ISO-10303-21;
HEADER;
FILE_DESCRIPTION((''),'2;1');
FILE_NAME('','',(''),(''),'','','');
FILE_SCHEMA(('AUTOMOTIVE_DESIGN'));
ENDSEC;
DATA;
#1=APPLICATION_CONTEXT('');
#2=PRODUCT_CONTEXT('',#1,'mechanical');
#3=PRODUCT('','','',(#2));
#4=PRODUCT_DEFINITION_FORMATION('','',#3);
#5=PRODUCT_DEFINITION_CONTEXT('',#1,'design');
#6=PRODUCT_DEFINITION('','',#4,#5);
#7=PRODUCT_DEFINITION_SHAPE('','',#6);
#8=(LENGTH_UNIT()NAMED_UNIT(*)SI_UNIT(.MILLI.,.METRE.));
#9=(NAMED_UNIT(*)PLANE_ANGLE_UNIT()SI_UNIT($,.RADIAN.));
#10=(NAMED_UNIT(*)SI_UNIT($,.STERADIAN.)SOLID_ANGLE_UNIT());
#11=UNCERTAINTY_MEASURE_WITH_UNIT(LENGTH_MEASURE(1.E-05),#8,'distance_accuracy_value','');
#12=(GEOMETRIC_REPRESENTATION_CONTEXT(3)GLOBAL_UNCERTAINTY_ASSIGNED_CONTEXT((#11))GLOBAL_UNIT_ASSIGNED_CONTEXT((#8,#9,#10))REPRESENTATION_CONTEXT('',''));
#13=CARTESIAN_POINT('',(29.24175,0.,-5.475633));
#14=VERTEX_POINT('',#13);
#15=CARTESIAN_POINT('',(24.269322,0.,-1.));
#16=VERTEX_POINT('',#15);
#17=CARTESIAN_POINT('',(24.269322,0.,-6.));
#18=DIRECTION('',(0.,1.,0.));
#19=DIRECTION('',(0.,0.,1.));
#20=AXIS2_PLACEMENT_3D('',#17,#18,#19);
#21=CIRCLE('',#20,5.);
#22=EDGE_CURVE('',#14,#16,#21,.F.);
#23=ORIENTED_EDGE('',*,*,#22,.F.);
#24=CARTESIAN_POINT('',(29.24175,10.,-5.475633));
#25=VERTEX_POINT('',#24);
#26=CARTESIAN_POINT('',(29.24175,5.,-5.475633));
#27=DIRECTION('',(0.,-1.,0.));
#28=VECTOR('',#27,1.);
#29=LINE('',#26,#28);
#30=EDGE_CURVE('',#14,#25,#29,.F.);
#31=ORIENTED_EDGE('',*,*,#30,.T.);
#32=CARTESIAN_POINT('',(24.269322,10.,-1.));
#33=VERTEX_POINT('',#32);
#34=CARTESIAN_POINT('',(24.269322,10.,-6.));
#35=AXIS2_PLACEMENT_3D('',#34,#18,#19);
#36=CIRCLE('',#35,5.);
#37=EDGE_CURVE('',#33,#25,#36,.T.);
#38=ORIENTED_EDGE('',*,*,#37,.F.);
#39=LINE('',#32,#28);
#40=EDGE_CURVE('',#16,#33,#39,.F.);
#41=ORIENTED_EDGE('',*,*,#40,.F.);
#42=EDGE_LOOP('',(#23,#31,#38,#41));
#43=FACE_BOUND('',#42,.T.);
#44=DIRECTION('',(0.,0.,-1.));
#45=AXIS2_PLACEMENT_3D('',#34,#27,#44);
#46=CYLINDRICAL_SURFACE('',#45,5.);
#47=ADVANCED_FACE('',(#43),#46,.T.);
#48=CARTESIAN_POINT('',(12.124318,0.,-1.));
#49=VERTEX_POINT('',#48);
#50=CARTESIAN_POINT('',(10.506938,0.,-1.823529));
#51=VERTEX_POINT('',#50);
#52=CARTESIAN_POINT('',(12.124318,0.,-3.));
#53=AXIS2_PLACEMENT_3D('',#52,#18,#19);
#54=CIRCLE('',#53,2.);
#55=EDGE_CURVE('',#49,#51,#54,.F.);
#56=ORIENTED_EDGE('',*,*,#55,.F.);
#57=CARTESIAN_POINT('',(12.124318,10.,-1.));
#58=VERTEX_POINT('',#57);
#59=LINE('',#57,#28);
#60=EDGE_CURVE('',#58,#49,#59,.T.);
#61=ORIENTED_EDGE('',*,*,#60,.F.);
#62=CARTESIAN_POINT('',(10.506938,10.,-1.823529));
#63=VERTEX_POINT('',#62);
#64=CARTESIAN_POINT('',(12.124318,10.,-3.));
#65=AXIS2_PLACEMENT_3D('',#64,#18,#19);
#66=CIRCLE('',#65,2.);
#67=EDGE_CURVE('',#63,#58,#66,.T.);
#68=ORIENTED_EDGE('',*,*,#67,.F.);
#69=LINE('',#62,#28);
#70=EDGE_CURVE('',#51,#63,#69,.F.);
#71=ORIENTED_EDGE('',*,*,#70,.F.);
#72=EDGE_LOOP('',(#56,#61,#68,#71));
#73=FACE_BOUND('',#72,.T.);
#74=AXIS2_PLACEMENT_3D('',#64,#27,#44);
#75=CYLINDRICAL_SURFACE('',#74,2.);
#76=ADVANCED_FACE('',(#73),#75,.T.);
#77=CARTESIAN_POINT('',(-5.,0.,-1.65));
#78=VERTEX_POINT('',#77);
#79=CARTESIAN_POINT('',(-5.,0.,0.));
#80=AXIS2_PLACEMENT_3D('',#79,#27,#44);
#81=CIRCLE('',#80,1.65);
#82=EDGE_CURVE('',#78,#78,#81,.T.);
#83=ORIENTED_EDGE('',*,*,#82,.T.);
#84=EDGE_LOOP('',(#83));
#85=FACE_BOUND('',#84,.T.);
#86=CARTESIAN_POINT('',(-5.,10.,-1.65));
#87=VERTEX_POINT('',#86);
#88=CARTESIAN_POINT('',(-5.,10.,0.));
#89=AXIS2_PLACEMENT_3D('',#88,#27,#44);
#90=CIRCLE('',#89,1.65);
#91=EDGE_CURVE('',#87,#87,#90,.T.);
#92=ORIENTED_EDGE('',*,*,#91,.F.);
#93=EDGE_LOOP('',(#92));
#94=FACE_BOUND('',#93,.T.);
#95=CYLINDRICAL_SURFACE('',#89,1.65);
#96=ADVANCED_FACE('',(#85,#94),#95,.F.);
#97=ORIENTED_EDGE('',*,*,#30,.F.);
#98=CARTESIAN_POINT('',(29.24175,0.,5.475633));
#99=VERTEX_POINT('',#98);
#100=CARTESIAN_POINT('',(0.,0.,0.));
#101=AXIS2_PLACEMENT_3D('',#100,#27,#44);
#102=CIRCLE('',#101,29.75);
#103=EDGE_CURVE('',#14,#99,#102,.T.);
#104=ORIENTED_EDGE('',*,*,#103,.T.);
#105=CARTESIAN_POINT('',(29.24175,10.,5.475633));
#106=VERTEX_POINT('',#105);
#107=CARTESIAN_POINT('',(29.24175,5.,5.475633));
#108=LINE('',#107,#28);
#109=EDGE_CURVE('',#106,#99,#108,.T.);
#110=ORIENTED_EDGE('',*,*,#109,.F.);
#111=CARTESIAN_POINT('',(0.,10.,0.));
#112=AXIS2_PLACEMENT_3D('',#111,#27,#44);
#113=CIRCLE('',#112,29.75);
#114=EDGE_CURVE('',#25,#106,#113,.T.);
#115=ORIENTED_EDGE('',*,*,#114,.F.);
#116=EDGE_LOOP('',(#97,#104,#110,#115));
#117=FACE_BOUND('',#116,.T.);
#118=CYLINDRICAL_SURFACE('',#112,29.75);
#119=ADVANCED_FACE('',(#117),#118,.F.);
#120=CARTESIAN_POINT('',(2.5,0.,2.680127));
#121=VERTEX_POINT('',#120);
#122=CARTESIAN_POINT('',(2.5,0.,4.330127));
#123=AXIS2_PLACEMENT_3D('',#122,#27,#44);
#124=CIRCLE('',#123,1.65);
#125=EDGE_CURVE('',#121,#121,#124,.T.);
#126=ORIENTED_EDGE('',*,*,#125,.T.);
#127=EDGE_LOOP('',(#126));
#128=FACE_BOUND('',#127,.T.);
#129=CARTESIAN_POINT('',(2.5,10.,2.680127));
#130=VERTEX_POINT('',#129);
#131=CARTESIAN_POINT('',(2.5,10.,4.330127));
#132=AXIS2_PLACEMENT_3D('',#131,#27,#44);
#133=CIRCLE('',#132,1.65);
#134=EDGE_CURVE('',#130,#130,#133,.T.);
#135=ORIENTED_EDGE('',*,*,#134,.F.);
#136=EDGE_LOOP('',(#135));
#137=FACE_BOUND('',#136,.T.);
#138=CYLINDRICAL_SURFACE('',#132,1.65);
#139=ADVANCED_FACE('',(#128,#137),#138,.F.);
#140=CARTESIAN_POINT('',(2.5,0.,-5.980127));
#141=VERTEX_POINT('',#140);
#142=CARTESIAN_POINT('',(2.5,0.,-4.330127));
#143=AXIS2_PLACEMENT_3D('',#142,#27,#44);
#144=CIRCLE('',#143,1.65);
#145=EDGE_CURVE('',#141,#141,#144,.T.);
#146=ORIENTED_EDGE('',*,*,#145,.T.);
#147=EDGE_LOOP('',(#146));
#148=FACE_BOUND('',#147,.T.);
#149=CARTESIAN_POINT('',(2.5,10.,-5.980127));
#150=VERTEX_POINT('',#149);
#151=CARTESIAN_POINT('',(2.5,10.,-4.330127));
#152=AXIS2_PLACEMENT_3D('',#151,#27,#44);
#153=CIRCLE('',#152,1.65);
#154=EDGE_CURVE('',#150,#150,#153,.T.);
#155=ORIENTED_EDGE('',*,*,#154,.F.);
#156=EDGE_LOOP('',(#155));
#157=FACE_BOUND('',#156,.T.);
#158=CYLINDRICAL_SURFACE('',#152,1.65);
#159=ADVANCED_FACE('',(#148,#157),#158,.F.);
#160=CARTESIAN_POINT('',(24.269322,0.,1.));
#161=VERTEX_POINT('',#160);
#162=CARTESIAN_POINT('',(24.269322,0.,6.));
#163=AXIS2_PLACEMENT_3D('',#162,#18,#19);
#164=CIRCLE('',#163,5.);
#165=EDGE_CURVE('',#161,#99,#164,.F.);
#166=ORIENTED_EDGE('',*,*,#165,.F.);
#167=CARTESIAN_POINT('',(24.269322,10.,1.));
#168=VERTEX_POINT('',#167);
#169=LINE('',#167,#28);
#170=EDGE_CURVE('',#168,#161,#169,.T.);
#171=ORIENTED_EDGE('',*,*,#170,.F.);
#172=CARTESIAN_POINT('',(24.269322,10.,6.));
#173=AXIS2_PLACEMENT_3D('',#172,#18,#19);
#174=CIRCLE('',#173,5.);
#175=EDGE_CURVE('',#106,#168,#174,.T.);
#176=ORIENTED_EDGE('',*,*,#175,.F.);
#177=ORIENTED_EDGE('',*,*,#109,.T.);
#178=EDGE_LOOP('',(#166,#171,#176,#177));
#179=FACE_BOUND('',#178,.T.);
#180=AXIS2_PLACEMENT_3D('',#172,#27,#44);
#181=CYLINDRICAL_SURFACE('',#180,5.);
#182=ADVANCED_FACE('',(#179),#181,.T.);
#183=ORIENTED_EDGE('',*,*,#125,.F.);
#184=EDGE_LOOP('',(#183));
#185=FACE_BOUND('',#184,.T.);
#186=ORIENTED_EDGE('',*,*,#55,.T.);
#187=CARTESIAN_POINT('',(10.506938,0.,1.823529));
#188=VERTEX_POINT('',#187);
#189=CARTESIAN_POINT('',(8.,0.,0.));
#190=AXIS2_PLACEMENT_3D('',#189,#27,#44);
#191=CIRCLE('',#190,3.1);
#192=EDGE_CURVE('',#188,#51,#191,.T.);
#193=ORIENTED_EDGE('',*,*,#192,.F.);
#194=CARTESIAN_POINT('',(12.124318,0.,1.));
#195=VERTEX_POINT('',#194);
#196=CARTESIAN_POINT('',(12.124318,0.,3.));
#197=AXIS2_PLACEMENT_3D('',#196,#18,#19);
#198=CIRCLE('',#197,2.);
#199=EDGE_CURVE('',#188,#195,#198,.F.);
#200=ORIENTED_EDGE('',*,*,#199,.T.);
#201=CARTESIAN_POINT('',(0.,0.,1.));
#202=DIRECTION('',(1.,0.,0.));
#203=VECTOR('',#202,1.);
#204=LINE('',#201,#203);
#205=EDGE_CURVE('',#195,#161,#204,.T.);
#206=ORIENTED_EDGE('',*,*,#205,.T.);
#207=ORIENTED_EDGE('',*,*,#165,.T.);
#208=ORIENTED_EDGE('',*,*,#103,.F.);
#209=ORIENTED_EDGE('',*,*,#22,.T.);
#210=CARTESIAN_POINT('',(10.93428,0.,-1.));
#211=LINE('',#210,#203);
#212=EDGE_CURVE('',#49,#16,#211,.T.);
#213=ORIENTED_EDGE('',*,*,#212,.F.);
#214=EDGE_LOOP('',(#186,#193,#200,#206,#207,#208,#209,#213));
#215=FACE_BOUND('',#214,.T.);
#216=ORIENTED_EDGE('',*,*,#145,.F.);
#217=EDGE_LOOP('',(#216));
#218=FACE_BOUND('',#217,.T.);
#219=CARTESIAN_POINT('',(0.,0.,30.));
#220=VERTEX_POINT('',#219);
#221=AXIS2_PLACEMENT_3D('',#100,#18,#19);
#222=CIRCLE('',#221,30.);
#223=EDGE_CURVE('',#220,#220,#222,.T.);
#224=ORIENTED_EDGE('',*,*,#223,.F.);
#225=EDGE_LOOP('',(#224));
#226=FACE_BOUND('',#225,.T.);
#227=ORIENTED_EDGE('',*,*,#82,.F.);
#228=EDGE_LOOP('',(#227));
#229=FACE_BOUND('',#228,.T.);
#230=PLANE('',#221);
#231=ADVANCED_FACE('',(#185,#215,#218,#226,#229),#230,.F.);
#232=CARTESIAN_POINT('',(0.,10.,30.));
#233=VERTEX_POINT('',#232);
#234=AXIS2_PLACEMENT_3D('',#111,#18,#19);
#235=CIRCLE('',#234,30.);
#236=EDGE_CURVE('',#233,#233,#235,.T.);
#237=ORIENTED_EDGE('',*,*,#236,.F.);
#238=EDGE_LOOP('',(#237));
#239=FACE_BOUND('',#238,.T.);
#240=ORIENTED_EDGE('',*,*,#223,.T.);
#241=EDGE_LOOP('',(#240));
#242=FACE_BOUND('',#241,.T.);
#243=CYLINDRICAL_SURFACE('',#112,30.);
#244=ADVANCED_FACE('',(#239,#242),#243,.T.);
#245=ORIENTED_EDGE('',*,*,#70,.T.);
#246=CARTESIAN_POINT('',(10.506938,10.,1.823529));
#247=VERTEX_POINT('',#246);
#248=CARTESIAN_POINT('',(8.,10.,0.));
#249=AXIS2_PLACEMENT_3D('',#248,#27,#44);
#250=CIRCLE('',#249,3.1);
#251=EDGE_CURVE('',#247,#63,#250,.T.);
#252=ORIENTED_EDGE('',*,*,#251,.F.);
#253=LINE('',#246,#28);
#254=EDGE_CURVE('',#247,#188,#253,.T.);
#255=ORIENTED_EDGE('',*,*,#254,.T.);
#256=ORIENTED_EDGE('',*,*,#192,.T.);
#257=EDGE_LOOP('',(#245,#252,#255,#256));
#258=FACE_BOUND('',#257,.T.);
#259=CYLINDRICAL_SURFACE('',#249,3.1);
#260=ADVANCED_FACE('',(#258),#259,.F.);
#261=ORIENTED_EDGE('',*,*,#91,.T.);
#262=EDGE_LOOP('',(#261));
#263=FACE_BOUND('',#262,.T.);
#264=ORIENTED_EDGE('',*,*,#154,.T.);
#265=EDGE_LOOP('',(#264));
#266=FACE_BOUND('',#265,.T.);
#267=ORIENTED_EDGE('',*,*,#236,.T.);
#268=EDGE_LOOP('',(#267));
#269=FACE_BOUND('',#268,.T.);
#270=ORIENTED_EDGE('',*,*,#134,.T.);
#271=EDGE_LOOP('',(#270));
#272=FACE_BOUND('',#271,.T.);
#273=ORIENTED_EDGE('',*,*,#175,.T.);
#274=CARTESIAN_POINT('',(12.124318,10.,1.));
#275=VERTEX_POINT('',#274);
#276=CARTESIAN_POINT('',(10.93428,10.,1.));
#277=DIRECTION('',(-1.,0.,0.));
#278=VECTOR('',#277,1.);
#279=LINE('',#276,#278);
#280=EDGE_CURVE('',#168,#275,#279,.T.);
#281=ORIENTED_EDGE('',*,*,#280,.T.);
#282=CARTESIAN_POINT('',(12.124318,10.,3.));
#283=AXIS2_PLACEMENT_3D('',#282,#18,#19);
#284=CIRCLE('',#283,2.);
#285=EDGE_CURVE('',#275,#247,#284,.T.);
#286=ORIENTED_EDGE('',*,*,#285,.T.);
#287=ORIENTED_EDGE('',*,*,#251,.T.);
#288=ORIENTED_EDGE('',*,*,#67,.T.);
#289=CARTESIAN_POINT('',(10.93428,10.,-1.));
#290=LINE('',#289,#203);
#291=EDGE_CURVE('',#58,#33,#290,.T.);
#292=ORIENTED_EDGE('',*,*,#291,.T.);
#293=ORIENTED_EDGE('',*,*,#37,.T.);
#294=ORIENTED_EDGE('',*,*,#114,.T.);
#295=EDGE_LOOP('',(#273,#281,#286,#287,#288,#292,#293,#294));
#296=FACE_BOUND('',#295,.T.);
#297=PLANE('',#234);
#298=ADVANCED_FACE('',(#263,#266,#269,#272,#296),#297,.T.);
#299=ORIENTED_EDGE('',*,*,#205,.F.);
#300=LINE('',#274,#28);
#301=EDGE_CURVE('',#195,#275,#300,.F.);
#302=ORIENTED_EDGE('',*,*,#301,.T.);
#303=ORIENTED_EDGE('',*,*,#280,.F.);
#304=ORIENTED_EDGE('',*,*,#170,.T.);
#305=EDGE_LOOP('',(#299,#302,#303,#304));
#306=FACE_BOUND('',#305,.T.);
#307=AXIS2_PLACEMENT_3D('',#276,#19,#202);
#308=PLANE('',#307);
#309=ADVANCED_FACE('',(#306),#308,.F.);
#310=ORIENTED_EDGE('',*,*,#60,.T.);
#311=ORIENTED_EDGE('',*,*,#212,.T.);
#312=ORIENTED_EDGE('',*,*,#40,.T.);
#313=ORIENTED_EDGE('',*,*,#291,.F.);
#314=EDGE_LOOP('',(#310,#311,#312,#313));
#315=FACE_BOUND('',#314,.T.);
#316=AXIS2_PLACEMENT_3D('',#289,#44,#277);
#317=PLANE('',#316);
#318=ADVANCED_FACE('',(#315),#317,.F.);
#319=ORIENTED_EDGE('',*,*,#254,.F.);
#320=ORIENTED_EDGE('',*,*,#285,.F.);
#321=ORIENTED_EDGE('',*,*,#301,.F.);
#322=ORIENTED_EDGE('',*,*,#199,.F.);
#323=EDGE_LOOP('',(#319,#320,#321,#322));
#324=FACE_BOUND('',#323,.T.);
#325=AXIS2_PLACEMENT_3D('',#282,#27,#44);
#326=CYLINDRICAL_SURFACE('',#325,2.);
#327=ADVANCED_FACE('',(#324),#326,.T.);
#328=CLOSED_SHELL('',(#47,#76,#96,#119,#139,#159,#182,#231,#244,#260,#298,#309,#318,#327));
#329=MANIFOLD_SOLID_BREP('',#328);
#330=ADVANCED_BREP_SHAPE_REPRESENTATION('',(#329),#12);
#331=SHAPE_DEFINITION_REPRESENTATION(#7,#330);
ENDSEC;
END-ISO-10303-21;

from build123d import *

# Parameters (mm, degrees)
SKETCH_1_R          = 30
EXTRUDE_1_DEPTH     = 10
CUT_EXTRUDE_1_DEPTH = 10
FILLET_1_R          = 2
FILLET_2_R          = 5
SKETCH_3_R          = 1.65
CUT_EXTRUDE_2_DEPTH = 10
SKETCH_4_R          = 30
SKETCH_4_R_2        = 29.75
EXTRUDE_2_DEPTH     = 10


with BuildPart() as part:
    # 草图1 → 凸台-拉伸1 (new body)
    with BuildSketch(Plane(origin=(0, 0, 0), x_dir=(1, 0, 0), z_dir=(0, 1, 0))):
        with Locations(Location((0, 0, 0), (0, 0, 270))):
            Circle(SKETCH_1_R)
    extrude(amount=EXTRUDE_1_DEPTH)

    # 草图2 → 切除-拉伸1 (cut)
    with BuildSketch(Plane.XZ):
        with BuildLine():
            Line((10.93428015, 1), (30.93428015, 1))
            Line((30.93428015, 1), (30.93428015, -1))
            Line((30.93428015, -1), (10.93428015, -1))
            ThreePointArc((10.93428015, -1), (4.9, 0), (10.93428015, 1))
        make_face()
    extrude(amount=-CUT_EXTRUDE_1_DEPTH, mode=Mode.SUBTRACT)

    # 圆角1
    fillet_1_edges = [part.edges().sort_by_distance(p)[0] for p in [
        (10.93428015, 5, 1),
        (10.93428015, 5, -1),
    ]]
    fillet(fillet_1_edges, radius=FILLET_1_R)

    # 圆角2
    fillet_2_edges = [part.edges().sort_by_distance(p)[0] for p in [
        (29.983328701, 5, 1),
        (29.983328701, 5, -1),
    ]]
    fillet(fillet_2_edges, radius=FILLET_2_R)

    # 草图3 → 切除-拉伸2 (cut)
    with BuildSketch(Plane.XZ):
        with Locations(Location((-5, 0, 0), (0, 0, 270))):
            Circle(SKETCH_3_R)
        with Locations(Location((2.5, 4.330127019, 0), (0, 0, 270))):
            Circle(SKETCH_3_R)
        with Locations(Location((2.5, -4.330127019, 0), (0, 0, 270))):
            Circle(SKETCH_3_R)
    extrude(amount=-CUT_EXTRUDE_2_DEPTH, mode=Mode.SUBTRACT)

    # 草图4 → 凸台-拉伸2 (add)
    with BuildSketch(Plane.XZ):
        with Locations(Location((0, 0, 0), (0, 0, 90))):
            Circle(SKETCH_4_R)
        Circle(SKETCH_4_R_2, mode=Mode.SUBTRACT)
    extrude(amount=-EXTRUDE_2_DEPTH)


solid = part.part
